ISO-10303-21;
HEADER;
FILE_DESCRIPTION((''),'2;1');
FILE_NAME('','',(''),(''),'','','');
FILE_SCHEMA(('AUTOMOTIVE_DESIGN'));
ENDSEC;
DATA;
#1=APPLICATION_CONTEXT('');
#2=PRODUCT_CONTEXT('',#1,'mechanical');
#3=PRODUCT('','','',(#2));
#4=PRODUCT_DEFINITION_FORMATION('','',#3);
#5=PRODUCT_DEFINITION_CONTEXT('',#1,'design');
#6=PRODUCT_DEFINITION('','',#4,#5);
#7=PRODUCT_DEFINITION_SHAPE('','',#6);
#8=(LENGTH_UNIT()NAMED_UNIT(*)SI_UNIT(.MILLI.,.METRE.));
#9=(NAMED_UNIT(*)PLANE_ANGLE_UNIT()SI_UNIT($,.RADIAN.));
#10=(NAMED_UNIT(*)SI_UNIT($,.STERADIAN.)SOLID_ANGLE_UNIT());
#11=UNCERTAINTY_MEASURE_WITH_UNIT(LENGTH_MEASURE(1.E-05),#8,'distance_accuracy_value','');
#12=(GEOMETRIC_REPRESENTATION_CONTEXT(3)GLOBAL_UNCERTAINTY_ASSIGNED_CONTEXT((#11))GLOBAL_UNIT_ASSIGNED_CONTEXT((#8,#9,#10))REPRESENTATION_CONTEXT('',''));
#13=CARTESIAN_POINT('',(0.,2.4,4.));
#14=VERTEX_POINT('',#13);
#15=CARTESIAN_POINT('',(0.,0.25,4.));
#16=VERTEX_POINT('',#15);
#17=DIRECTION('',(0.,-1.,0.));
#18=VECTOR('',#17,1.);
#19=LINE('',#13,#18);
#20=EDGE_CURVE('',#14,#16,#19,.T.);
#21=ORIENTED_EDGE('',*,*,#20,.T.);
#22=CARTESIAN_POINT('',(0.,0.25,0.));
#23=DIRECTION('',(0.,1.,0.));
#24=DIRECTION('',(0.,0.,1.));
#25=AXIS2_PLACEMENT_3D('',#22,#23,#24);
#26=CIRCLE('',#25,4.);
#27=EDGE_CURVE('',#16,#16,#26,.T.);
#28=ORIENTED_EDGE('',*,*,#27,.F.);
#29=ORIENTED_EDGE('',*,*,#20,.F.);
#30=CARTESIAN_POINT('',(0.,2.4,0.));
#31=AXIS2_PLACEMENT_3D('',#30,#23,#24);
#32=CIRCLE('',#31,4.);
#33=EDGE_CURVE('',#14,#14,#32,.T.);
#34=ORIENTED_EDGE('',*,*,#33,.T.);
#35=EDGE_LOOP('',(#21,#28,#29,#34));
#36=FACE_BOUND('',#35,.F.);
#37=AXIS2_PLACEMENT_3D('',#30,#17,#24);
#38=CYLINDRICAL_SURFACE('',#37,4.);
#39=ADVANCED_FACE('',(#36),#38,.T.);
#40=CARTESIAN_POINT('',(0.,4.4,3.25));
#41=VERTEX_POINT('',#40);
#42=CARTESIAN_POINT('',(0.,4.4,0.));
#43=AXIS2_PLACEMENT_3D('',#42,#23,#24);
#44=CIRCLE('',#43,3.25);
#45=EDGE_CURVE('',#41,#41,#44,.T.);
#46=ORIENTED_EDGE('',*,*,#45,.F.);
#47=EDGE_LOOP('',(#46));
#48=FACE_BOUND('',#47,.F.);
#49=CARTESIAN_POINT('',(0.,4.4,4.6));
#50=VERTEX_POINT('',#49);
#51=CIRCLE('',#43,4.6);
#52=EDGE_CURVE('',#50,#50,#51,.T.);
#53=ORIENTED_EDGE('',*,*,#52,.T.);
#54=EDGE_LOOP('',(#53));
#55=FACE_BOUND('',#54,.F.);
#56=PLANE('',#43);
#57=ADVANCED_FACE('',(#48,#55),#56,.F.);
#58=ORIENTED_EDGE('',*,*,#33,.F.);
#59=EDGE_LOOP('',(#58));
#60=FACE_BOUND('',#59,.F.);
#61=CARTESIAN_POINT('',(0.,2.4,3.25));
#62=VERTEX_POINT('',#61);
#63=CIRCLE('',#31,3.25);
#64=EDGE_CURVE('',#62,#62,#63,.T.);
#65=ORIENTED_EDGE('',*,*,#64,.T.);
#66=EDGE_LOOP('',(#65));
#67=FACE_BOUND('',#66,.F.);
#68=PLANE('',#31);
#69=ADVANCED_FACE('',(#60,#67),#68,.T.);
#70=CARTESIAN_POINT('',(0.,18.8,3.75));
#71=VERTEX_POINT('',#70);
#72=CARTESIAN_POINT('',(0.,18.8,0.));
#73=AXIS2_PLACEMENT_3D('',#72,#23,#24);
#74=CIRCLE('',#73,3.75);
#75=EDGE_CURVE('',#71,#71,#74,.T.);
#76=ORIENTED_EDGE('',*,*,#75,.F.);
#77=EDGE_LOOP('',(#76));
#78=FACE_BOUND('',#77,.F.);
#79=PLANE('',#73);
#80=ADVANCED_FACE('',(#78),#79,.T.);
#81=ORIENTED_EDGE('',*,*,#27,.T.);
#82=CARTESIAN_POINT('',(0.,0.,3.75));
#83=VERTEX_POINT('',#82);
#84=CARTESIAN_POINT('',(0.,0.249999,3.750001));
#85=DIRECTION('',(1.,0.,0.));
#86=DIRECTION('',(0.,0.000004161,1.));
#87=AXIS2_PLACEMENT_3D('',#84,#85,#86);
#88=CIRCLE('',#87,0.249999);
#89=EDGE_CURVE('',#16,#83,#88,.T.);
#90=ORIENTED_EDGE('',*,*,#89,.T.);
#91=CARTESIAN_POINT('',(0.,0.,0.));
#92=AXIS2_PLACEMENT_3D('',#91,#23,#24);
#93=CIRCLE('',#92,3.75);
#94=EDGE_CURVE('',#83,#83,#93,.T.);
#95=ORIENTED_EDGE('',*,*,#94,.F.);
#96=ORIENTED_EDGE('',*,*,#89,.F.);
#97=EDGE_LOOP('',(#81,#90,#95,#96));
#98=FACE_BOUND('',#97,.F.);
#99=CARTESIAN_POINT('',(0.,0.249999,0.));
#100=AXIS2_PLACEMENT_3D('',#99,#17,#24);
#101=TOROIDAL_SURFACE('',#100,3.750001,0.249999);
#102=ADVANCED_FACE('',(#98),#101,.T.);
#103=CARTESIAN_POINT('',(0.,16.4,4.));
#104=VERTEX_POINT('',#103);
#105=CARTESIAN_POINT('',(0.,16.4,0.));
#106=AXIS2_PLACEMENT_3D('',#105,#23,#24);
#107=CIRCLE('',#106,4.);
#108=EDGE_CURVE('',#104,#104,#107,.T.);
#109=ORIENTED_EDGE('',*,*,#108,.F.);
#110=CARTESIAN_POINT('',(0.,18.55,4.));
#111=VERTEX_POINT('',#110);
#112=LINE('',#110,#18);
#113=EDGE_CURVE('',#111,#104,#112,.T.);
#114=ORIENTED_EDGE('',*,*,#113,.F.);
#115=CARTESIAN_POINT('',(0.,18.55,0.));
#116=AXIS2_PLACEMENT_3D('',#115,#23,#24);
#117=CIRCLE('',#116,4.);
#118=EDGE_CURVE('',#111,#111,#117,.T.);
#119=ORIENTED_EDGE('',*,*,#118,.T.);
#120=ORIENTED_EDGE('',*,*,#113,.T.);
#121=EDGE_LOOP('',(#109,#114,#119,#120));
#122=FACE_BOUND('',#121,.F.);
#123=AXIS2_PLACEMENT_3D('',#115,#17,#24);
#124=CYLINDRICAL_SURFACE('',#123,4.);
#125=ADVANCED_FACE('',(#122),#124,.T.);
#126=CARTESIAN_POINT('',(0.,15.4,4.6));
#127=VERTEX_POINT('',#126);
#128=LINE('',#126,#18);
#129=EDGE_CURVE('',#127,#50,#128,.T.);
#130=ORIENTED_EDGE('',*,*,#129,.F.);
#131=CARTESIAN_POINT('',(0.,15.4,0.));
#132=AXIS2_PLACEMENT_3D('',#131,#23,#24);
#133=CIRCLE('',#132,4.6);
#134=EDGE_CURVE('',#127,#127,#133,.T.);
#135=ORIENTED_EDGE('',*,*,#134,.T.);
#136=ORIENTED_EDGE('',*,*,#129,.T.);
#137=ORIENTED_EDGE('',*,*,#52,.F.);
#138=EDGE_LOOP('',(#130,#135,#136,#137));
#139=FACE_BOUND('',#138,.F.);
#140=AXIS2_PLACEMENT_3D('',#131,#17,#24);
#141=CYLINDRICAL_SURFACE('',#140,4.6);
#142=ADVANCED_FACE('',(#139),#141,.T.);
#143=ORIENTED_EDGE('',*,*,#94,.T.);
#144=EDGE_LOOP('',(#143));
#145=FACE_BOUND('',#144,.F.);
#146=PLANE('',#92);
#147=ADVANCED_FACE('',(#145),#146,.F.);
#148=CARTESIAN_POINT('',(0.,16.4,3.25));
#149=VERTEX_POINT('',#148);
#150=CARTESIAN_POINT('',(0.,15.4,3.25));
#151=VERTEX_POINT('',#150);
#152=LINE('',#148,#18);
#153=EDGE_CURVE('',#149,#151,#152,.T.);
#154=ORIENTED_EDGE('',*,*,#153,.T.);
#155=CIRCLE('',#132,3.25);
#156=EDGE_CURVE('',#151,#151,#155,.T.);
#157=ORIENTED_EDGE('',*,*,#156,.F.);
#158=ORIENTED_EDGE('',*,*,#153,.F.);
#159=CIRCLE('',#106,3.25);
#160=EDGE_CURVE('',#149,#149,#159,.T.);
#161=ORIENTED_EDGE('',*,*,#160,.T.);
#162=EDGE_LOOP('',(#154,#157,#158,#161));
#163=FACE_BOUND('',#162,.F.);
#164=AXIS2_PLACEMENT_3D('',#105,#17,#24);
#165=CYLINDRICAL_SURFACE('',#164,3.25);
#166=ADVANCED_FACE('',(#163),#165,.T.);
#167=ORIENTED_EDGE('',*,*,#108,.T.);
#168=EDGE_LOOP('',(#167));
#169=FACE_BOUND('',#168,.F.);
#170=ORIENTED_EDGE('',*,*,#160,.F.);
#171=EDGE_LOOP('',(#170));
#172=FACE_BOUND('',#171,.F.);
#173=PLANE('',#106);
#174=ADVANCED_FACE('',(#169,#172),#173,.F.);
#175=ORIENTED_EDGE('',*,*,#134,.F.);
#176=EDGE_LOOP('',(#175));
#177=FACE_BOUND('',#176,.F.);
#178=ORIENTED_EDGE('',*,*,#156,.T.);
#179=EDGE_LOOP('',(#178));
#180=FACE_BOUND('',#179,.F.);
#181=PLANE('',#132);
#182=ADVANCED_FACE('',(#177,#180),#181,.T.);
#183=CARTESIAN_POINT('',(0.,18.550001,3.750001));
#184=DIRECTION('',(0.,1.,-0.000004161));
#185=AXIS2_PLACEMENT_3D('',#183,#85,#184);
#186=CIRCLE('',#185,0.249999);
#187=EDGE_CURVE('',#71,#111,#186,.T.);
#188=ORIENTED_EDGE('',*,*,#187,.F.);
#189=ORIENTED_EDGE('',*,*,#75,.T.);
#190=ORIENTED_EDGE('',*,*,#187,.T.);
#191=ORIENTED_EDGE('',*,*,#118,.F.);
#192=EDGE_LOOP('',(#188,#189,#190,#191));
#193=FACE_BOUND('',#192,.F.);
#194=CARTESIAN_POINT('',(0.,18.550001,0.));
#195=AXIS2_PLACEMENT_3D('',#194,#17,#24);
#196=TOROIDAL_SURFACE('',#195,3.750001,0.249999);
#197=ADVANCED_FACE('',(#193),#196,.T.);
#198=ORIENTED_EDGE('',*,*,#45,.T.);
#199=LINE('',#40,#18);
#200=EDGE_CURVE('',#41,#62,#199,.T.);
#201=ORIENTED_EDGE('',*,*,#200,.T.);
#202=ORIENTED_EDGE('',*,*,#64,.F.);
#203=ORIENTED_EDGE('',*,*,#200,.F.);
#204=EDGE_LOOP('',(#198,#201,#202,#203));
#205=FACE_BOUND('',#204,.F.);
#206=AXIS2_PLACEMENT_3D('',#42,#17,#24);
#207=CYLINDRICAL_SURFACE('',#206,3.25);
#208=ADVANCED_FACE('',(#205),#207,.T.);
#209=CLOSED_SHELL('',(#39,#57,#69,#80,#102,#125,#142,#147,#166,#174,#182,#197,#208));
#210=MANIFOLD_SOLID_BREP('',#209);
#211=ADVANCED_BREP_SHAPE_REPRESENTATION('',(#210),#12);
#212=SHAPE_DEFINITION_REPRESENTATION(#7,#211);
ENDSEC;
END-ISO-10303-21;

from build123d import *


with BuildPart() as f1:
    # F0 (on Right) → F1 (revolve)
    with BuildSketch(Plane.YZ):
        with BuildLine():
            Line((0, 3.75), (0, 0))
            Line((0, 0), (18.8, 0))
            Line((18.8, 0), (18.8, 3.75))
            ThreePointArc((18.8, 3.75), (18.726777, 3.926777), (18.55, 4))
            Line((18.55, 4), (16.4, 4))
            Line((16.4, 4), (16.4, 3.25))
            Line((16.4, 3.25), (15.4, 3.25))
            Line((15.4, 3.25), (15.4, 4.6))
            Line((15.4, 4.6), (4.4, 4.6))
            Line((4.4, 4.6), (4.4, 3.25))
            Line((4.4, 3.25), (2.4, 3.25))
            Line((2.4, 3.25), (2.4, 4))
            Line((2.4, 4), (0.25, 4))
            ThreePointArc((0.25, 4), (0.073223, 3.926777), (0, 3.75))
        make_face()
    revolve(axis=Axis((0, 9.4, 0), (0, 1, 0)))


solid = f1.part
